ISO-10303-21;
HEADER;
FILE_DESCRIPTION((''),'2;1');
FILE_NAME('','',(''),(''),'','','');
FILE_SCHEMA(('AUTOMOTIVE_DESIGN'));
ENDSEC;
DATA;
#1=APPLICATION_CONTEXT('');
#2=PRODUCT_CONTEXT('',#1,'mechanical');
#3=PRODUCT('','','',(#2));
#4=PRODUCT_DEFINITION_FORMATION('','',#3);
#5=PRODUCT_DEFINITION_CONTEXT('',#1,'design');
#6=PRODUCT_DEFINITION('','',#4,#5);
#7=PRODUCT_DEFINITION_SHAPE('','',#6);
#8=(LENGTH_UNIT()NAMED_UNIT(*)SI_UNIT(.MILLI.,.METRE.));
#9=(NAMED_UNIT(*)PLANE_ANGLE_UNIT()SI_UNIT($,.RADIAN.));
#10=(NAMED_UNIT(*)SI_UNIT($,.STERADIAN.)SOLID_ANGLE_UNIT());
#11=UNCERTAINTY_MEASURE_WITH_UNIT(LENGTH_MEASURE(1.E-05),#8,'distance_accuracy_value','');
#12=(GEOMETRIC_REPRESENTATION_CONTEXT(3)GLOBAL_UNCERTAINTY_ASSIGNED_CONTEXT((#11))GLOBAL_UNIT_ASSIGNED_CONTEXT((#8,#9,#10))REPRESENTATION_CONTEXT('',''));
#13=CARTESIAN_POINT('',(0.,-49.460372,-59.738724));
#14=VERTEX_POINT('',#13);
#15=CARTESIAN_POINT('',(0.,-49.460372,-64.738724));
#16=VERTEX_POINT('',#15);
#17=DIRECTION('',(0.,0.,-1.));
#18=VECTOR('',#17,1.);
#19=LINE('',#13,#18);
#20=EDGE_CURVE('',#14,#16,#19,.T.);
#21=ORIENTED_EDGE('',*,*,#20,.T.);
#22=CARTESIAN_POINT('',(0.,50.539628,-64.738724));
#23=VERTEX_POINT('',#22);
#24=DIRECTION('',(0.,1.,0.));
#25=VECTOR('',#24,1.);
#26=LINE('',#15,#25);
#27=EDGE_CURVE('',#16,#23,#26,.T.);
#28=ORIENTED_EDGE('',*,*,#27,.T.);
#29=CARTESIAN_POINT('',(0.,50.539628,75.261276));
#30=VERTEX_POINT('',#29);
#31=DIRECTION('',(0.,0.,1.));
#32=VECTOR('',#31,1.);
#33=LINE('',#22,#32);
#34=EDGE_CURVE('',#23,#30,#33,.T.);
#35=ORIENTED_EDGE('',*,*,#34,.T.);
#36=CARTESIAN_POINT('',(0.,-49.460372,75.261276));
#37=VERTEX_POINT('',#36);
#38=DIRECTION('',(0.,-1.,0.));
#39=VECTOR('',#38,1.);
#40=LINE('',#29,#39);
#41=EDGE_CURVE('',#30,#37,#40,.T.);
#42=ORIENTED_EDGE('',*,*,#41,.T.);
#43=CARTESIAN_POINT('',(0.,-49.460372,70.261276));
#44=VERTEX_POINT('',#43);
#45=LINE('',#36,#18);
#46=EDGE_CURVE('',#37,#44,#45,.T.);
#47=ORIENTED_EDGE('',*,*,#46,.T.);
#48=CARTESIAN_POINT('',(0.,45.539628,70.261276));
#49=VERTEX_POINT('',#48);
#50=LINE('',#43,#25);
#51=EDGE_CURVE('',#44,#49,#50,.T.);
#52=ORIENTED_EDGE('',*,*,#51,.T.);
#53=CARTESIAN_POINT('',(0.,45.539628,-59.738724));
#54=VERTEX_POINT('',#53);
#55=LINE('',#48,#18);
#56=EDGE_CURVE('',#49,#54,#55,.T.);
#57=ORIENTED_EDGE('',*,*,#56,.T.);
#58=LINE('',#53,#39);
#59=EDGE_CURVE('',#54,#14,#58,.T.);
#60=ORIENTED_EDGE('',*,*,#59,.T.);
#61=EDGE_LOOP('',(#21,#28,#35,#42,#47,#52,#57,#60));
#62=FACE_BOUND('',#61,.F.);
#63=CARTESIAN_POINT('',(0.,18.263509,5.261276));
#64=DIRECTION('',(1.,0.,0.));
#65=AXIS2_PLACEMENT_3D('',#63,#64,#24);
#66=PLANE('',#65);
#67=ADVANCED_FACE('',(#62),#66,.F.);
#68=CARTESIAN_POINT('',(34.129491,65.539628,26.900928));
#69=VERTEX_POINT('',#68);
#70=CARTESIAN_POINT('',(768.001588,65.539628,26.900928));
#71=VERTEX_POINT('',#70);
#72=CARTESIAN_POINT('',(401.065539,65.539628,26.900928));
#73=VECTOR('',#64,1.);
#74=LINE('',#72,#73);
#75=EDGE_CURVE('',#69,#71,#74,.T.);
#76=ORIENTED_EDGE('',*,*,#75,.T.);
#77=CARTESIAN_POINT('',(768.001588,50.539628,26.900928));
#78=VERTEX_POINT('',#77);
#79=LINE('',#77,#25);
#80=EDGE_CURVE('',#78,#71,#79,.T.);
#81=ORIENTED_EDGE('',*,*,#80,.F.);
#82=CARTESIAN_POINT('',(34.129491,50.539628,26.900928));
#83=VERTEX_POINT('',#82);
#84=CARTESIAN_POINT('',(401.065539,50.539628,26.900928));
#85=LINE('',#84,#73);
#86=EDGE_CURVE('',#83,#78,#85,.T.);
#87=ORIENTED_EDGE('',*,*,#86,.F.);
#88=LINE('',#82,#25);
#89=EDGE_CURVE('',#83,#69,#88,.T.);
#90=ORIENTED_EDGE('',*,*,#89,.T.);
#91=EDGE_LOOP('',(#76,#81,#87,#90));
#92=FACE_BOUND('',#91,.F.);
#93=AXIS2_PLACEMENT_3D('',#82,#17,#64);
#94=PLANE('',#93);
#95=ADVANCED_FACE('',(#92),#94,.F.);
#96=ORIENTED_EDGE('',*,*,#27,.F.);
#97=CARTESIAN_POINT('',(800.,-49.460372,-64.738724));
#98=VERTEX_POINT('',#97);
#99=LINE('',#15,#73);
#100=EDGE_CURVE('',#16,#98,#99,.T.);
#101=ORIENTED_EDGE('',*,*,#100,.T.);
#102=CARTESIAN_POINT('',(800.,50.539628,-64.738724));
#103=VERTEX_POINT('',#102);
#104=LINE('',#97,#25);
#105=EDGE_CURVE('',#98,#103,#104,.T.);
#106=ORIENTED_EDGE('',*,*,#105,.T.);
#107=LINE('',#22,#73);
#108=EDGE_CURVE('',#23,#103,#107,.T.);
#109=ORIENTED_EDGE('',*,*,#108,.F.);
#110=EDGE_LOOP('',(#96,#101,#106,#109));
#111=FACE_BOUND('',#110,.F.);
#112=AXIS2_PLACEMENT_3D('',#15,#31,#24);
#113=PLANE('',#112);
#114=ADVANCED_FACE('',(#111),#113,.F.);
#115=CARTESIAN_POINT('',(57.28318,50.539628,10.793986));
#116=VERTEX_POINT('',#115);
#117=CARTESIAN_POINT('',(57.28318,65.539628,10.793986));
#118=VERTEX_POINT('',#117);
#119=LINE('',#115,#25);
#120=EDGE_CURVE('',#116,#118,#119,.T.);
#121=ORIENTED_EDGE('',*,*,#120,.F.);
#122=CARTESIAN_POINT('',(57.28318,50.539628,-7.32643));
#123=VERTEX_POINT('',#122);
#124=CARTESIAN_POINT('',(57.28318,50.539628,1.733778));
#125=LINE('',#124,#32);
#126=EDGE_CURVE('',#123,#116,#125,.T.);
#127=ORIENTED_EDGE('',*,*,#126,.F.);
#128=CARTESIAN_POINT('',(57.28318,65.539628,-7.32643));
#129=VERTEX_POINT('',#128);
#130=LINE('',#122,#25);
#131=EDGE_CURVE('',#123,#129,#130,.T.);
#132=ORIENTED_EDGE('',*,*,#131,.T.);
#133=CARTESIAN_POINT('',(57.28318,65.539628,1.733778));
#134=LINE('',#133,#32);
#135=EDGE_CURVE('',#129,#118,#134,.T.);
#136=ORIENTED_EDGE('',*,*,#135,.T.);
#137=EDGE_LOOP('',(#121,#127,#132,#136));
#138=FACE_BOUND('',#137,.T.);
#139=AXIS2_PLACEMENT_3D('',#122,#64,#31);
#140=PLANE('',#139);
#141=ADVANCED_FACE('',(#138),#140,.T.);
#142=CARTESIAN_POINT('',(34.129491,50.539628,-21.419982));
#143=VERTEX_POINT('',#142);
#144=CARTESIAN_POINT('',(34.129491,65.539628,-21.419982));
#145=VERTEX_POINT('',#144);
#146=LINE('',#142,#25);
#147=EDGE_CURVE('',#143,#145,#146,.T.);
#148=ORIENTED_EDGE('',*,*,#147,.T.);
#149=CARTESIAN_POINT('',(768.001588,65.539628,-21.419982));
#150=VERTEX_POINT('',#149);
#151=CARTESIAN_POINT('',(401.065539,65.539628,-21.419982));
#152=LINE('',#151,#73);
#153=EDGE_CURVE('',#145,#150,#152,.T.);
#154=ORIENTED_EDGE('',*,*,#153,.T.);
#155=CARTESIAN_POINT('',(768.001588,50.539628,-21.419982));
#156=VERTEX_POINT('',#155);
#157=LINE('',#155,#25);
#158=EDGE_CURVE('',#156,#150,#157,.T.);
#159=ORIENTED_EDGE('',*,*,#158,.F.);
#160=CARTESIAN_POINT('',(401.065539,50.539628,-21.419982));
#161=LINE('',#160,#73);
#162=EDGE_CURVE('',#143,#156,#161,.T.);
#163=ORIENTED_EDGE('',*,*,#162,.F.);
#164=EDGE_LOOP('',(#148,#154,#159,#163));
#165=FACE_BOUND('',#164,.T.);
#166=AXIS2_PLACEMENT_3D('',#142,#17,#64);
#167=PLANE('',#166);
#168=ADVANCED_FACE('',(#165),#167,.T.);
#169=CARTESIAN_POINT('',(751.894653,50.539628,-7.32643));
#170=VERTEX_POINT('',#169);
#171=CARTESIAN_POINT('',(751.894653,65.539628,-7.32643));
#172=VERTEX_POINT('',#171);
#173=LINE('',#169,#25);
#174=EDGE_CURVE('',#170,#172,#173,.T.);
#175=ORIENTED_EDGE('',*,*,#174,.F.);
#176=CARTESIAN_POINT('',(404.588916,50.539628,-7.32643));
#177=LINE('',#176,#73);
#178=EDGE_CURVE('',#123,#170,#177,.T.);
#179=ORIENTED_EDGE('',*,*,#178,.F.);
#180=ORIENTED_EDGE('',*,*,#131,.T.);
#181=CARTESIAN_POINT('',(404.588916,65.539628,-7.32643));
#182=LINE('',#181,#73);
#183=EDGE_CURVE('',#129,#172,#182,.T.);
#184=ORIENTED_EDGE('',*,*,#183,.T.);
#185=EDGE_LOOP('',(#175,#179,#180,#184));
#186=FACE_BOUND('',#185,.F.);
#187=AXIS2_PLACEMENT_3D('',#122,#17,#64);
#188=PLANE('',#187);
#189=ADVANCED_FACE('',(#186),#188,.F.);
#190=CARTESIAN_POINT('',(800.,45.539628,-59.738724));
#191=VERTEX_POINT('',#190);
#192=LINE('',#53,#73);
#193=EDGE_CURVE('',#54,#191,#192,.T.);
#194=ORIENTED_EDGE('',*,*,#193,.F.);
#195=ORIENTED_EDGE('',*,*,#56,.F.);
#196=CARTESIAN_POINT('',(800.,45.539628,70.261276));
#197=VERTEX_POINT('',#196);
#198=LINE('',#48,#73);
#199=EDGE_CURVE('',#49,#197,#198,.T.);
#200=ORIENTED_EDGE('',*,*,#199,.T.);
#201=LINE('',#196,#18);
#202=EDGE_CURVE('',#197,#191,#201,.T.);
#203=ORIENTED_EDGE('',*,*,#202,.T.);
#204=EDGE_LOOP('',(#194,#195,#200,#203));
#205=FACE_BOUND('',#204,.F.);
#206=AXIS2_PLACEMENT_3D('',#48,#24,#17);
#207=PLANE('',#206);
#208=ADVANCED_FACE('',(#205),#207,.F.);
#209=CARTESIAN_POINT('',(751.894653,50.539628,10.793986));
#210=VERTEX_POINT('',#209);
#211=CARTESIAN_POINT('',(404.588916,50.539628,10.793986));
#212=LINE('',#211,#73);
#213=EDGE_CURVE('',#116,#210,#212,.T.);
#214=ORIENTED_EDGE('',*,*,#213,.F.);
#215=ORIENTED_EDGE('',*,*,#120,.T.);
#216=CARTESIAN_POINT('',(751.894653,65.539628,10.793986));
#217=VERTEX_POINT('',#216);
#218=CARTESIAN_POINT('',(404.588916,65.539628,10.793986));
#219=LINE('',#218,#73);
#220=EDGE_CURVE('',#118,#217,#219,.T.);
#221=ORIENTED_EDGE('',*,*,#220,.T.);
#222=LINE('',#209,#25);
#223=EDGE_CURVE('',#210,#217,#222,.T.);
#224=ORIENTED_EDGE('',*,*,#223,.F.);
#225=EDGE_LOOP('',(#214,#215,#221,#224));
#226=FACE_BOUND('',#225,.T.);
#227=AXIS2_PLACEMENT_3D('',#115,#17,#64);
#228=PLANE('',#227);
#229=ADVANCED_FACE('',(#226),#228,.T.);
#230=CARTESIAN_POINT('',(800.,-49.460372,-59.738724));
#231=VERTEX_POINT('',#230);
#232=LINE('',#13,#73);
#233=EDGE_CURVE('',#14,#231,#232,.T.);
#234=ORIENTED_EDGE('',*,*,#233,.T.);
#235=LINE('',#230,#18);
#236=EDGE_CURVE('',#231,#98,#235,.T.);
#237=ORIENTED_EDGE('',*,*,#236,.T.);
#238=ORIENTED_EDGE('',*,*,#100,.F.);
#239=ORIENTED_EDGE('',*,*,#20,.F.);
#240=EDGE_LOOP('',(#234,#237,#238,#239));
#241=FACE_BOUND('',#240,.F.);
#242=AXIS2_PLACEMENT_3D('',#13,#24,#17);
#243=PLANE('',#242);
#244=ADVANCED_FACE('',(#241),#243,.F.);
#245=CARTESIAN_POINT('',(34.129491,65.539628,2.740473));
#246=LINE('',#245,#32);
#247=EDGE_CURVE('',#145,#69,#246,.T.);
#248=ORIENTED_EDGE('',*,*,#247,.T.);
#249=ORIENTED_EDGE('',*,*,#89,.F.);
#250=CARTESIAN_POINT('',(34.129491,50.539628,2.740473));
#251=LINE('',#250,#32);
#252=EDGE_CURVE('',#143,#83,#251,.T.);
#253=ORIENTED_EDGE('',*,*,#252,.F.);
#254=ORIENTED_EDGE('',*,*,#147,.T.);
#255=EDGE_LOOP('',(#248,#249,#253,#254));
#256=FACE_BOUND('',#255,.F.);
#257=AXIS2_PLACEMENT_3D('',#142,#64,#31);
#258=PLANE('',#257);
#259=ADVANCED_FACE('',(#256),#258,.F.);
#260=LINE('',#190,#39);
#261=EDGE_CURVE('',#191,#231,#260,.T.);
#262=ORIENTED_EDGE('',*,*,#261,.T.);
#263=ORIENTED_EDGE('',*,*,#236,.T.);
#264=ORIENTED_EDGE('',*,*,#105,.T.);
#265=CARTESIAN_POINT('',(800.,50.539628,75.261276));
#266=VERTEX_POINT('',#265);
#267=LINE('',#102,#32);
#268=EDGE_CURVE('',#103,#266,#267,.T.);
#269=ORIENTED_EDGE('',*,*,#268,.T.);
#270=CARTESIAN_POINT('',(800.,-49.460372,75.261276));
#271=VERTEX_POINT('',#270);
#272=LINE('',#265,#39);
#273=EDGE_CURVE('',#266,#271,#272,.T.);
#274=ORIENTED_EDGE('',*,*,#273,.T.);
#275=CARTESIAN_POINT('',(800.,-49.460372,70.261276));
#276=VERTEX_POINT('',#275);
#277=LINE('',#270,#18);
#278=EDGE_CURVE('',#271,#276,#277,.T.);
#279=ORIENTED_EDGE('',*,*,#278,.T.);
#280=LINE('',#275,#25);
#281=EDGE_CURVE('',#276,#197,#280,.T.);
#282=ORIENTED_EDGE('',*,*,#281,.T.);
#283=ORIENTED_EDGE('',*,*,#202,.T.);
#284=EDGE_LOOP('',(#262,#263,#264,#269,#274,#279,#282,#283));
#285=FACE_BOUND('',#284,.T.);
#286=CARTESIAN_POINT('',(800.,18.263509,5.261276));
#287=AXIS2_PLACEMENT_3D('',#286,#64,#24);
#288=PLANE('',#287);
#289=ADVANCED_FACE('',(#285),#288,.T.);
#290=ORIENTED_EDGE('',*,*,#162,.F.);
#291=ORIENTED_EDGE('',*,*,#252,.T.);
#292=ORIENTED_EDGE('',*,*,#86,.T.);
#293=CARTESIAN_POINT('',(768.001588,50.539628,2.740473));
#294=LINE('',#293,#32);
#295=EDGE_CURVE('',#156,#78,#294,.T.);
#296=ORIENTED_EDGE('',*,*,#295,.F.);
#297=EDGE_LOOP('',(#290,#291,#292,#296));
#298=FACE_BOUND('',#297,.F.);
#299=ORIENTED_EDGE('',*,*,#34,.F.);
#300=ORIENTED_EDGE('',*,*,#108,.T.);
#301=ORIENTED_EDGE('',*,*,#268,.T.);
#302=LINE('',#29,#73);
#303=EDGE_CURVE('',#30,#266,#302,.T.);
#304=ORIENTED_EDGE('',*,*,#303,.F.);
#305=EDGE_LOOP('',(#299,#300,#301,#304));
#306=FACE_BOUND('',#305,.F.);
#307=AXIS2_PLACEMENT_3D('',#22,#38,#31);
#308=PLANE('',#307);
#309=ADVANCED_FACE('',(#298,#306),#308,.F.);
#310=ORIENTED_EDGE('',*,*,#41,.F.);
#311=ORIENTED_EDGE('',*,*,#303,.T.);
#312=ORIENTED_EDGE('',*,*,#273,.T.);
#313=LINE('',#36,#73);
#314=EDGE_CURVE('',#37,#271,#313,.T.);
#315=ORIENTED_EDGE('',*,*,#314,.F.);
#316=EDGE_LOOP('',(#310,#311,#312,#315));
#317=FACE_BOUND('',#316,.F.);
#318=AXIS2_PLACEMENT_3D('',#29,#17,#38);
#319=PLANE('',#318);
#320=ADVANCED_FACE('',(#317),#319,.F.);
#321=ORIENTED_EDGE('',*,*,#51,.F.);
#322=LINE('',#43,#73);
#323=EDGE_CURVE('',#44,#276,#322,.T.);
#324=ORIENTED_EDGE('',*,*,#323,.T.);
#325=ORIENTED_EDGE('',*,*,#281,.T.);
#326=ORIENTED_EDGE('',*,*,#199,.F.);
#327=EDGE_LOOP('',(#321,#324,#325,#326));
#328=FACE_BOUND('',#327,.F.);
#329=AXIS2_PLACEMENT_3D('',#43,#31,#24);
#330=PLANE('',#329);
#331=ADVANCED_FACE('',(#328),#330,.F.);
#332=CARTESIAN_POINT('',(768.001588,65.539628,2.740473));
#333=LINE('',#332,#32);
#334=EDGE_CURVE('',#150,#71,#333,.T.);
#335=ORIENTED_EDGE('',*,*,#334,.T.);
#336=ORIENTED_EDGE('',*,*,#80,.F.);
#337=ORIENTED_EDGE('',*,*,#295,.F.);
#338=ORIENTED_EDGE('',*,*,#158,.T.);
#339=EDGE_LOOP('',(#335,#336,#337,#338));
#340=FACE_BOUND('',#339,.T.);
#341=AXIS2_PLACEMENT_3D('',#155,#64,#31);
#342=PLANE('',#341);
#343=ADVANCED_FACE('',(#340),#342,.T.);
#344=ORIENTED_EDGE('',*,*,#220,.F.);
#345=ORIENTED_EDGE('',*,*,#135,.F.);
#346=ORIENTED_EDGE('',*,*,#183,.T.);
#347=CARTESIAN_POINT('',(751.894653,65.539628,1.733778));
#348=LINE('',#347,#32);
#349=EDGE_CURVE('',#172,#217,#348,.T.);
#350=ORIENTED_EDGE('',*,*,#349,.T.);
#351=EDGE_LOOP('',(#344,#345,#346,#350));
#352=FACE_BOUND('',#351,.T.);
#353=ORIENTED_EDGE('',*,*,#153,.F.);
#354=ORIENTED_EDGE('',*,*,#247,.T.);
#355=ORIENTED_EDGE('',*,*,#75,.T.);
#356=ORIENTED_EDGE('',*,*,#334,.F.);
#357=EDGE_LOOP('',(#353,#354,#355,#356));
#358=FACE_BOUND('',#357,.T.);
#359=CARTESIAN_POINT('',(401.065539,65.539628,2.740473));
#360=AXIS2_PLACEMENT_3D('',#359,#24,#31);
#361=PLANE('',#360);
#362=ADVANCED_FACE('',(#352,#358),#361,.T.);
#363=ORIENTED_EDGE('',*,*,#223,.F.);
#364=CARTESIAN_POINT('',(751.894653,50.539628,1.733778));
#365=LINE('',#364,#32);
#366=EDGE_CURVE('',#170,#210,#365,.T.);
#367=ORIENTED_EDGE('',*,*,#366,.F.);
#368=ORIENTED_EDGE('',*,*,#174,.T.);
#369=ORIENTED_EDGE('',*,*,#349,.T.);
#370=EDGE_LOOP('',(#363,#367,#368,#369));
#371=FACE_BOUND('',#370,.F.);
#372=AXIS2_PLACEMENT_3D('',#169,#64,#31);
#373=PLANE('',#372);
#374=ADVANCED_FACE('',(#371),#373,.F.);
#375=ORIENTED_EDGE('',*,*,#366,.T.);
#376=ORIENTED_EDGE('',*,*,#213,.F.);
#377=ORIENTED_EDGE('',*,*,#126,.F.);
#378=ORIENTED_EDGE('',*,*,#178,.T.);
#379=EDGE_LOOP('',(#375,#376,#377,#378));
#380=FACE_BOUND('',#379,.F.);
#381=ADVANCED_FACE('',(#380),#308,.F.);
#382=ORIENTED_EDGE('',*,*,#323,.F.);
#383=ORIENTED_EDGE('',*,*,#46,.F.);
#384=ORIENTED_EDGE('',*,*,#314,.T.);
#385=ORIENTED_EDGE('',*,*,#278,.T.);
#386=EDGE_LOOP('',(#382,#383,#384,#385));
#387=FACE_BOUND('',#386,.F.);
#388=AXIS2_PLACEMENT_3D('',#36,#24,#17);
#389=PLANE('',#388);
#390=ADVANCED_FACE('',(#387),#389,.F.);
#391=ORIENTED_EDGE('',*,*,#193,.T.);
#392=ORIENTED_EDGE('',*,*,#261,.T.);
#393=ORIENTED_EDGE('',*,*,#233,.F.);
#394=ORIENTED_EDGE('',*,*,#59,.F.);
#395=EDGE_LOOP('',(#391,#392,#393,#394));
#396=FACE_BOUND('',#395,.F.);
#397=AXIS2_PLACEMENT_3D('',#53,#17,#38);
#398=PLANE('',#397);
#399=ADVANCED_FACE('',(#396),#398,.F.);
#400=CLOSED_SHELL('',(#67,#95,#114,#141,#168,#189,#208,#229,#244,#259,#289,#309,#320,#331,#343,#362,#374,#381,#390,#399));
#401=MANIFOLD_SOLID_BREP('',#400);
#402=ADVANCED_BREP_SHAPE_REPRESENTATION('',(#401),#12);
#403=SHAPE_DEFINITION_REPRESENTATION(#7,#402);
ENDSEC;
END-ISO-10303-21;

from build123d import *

# Parameters (mm, degrees)
PAD_DEPTH     = 800
SKETCH001_W   = 48.320911
SKETCH001_H   = 733.872097
SKETCH001_W_2 = 18.120416
SKETCH001_H_2 = 694.611473
PAD001_DEPTH  = 15


with BuildPart() as part:
    # Sketch → Pad (new body)
    with BuildSketch(Plane.YZ):
        Polygon((-49.460372, 70.261276), (45.539628, 70.261276), (45.539628, -59.738724), (-49.460372, -59.738724), (-49.460372, -64.738724), (50.539628, -64.738724), (50.539628, 75.261276), (-49.460372, 75.261276), align=None)
    extrude(amount=PAD_DEPTH)

    # Sketch001 → Pad001 (join)
    with BuildSketch(Plane.ZX.offset(50.539628)):
        with Locations((2.740473, 401.065539)):
            Rectangle(SKETCH001_W, SKETCH001_H)
        with Locations((1.733778, 404.588916)):
            Rectangle(SKETCH001_W_2, SKETCH001_H_2, mode=Mode.SUBTRACT)
    extrude(amount=PAD001_DEPTH)


solid = part.part
